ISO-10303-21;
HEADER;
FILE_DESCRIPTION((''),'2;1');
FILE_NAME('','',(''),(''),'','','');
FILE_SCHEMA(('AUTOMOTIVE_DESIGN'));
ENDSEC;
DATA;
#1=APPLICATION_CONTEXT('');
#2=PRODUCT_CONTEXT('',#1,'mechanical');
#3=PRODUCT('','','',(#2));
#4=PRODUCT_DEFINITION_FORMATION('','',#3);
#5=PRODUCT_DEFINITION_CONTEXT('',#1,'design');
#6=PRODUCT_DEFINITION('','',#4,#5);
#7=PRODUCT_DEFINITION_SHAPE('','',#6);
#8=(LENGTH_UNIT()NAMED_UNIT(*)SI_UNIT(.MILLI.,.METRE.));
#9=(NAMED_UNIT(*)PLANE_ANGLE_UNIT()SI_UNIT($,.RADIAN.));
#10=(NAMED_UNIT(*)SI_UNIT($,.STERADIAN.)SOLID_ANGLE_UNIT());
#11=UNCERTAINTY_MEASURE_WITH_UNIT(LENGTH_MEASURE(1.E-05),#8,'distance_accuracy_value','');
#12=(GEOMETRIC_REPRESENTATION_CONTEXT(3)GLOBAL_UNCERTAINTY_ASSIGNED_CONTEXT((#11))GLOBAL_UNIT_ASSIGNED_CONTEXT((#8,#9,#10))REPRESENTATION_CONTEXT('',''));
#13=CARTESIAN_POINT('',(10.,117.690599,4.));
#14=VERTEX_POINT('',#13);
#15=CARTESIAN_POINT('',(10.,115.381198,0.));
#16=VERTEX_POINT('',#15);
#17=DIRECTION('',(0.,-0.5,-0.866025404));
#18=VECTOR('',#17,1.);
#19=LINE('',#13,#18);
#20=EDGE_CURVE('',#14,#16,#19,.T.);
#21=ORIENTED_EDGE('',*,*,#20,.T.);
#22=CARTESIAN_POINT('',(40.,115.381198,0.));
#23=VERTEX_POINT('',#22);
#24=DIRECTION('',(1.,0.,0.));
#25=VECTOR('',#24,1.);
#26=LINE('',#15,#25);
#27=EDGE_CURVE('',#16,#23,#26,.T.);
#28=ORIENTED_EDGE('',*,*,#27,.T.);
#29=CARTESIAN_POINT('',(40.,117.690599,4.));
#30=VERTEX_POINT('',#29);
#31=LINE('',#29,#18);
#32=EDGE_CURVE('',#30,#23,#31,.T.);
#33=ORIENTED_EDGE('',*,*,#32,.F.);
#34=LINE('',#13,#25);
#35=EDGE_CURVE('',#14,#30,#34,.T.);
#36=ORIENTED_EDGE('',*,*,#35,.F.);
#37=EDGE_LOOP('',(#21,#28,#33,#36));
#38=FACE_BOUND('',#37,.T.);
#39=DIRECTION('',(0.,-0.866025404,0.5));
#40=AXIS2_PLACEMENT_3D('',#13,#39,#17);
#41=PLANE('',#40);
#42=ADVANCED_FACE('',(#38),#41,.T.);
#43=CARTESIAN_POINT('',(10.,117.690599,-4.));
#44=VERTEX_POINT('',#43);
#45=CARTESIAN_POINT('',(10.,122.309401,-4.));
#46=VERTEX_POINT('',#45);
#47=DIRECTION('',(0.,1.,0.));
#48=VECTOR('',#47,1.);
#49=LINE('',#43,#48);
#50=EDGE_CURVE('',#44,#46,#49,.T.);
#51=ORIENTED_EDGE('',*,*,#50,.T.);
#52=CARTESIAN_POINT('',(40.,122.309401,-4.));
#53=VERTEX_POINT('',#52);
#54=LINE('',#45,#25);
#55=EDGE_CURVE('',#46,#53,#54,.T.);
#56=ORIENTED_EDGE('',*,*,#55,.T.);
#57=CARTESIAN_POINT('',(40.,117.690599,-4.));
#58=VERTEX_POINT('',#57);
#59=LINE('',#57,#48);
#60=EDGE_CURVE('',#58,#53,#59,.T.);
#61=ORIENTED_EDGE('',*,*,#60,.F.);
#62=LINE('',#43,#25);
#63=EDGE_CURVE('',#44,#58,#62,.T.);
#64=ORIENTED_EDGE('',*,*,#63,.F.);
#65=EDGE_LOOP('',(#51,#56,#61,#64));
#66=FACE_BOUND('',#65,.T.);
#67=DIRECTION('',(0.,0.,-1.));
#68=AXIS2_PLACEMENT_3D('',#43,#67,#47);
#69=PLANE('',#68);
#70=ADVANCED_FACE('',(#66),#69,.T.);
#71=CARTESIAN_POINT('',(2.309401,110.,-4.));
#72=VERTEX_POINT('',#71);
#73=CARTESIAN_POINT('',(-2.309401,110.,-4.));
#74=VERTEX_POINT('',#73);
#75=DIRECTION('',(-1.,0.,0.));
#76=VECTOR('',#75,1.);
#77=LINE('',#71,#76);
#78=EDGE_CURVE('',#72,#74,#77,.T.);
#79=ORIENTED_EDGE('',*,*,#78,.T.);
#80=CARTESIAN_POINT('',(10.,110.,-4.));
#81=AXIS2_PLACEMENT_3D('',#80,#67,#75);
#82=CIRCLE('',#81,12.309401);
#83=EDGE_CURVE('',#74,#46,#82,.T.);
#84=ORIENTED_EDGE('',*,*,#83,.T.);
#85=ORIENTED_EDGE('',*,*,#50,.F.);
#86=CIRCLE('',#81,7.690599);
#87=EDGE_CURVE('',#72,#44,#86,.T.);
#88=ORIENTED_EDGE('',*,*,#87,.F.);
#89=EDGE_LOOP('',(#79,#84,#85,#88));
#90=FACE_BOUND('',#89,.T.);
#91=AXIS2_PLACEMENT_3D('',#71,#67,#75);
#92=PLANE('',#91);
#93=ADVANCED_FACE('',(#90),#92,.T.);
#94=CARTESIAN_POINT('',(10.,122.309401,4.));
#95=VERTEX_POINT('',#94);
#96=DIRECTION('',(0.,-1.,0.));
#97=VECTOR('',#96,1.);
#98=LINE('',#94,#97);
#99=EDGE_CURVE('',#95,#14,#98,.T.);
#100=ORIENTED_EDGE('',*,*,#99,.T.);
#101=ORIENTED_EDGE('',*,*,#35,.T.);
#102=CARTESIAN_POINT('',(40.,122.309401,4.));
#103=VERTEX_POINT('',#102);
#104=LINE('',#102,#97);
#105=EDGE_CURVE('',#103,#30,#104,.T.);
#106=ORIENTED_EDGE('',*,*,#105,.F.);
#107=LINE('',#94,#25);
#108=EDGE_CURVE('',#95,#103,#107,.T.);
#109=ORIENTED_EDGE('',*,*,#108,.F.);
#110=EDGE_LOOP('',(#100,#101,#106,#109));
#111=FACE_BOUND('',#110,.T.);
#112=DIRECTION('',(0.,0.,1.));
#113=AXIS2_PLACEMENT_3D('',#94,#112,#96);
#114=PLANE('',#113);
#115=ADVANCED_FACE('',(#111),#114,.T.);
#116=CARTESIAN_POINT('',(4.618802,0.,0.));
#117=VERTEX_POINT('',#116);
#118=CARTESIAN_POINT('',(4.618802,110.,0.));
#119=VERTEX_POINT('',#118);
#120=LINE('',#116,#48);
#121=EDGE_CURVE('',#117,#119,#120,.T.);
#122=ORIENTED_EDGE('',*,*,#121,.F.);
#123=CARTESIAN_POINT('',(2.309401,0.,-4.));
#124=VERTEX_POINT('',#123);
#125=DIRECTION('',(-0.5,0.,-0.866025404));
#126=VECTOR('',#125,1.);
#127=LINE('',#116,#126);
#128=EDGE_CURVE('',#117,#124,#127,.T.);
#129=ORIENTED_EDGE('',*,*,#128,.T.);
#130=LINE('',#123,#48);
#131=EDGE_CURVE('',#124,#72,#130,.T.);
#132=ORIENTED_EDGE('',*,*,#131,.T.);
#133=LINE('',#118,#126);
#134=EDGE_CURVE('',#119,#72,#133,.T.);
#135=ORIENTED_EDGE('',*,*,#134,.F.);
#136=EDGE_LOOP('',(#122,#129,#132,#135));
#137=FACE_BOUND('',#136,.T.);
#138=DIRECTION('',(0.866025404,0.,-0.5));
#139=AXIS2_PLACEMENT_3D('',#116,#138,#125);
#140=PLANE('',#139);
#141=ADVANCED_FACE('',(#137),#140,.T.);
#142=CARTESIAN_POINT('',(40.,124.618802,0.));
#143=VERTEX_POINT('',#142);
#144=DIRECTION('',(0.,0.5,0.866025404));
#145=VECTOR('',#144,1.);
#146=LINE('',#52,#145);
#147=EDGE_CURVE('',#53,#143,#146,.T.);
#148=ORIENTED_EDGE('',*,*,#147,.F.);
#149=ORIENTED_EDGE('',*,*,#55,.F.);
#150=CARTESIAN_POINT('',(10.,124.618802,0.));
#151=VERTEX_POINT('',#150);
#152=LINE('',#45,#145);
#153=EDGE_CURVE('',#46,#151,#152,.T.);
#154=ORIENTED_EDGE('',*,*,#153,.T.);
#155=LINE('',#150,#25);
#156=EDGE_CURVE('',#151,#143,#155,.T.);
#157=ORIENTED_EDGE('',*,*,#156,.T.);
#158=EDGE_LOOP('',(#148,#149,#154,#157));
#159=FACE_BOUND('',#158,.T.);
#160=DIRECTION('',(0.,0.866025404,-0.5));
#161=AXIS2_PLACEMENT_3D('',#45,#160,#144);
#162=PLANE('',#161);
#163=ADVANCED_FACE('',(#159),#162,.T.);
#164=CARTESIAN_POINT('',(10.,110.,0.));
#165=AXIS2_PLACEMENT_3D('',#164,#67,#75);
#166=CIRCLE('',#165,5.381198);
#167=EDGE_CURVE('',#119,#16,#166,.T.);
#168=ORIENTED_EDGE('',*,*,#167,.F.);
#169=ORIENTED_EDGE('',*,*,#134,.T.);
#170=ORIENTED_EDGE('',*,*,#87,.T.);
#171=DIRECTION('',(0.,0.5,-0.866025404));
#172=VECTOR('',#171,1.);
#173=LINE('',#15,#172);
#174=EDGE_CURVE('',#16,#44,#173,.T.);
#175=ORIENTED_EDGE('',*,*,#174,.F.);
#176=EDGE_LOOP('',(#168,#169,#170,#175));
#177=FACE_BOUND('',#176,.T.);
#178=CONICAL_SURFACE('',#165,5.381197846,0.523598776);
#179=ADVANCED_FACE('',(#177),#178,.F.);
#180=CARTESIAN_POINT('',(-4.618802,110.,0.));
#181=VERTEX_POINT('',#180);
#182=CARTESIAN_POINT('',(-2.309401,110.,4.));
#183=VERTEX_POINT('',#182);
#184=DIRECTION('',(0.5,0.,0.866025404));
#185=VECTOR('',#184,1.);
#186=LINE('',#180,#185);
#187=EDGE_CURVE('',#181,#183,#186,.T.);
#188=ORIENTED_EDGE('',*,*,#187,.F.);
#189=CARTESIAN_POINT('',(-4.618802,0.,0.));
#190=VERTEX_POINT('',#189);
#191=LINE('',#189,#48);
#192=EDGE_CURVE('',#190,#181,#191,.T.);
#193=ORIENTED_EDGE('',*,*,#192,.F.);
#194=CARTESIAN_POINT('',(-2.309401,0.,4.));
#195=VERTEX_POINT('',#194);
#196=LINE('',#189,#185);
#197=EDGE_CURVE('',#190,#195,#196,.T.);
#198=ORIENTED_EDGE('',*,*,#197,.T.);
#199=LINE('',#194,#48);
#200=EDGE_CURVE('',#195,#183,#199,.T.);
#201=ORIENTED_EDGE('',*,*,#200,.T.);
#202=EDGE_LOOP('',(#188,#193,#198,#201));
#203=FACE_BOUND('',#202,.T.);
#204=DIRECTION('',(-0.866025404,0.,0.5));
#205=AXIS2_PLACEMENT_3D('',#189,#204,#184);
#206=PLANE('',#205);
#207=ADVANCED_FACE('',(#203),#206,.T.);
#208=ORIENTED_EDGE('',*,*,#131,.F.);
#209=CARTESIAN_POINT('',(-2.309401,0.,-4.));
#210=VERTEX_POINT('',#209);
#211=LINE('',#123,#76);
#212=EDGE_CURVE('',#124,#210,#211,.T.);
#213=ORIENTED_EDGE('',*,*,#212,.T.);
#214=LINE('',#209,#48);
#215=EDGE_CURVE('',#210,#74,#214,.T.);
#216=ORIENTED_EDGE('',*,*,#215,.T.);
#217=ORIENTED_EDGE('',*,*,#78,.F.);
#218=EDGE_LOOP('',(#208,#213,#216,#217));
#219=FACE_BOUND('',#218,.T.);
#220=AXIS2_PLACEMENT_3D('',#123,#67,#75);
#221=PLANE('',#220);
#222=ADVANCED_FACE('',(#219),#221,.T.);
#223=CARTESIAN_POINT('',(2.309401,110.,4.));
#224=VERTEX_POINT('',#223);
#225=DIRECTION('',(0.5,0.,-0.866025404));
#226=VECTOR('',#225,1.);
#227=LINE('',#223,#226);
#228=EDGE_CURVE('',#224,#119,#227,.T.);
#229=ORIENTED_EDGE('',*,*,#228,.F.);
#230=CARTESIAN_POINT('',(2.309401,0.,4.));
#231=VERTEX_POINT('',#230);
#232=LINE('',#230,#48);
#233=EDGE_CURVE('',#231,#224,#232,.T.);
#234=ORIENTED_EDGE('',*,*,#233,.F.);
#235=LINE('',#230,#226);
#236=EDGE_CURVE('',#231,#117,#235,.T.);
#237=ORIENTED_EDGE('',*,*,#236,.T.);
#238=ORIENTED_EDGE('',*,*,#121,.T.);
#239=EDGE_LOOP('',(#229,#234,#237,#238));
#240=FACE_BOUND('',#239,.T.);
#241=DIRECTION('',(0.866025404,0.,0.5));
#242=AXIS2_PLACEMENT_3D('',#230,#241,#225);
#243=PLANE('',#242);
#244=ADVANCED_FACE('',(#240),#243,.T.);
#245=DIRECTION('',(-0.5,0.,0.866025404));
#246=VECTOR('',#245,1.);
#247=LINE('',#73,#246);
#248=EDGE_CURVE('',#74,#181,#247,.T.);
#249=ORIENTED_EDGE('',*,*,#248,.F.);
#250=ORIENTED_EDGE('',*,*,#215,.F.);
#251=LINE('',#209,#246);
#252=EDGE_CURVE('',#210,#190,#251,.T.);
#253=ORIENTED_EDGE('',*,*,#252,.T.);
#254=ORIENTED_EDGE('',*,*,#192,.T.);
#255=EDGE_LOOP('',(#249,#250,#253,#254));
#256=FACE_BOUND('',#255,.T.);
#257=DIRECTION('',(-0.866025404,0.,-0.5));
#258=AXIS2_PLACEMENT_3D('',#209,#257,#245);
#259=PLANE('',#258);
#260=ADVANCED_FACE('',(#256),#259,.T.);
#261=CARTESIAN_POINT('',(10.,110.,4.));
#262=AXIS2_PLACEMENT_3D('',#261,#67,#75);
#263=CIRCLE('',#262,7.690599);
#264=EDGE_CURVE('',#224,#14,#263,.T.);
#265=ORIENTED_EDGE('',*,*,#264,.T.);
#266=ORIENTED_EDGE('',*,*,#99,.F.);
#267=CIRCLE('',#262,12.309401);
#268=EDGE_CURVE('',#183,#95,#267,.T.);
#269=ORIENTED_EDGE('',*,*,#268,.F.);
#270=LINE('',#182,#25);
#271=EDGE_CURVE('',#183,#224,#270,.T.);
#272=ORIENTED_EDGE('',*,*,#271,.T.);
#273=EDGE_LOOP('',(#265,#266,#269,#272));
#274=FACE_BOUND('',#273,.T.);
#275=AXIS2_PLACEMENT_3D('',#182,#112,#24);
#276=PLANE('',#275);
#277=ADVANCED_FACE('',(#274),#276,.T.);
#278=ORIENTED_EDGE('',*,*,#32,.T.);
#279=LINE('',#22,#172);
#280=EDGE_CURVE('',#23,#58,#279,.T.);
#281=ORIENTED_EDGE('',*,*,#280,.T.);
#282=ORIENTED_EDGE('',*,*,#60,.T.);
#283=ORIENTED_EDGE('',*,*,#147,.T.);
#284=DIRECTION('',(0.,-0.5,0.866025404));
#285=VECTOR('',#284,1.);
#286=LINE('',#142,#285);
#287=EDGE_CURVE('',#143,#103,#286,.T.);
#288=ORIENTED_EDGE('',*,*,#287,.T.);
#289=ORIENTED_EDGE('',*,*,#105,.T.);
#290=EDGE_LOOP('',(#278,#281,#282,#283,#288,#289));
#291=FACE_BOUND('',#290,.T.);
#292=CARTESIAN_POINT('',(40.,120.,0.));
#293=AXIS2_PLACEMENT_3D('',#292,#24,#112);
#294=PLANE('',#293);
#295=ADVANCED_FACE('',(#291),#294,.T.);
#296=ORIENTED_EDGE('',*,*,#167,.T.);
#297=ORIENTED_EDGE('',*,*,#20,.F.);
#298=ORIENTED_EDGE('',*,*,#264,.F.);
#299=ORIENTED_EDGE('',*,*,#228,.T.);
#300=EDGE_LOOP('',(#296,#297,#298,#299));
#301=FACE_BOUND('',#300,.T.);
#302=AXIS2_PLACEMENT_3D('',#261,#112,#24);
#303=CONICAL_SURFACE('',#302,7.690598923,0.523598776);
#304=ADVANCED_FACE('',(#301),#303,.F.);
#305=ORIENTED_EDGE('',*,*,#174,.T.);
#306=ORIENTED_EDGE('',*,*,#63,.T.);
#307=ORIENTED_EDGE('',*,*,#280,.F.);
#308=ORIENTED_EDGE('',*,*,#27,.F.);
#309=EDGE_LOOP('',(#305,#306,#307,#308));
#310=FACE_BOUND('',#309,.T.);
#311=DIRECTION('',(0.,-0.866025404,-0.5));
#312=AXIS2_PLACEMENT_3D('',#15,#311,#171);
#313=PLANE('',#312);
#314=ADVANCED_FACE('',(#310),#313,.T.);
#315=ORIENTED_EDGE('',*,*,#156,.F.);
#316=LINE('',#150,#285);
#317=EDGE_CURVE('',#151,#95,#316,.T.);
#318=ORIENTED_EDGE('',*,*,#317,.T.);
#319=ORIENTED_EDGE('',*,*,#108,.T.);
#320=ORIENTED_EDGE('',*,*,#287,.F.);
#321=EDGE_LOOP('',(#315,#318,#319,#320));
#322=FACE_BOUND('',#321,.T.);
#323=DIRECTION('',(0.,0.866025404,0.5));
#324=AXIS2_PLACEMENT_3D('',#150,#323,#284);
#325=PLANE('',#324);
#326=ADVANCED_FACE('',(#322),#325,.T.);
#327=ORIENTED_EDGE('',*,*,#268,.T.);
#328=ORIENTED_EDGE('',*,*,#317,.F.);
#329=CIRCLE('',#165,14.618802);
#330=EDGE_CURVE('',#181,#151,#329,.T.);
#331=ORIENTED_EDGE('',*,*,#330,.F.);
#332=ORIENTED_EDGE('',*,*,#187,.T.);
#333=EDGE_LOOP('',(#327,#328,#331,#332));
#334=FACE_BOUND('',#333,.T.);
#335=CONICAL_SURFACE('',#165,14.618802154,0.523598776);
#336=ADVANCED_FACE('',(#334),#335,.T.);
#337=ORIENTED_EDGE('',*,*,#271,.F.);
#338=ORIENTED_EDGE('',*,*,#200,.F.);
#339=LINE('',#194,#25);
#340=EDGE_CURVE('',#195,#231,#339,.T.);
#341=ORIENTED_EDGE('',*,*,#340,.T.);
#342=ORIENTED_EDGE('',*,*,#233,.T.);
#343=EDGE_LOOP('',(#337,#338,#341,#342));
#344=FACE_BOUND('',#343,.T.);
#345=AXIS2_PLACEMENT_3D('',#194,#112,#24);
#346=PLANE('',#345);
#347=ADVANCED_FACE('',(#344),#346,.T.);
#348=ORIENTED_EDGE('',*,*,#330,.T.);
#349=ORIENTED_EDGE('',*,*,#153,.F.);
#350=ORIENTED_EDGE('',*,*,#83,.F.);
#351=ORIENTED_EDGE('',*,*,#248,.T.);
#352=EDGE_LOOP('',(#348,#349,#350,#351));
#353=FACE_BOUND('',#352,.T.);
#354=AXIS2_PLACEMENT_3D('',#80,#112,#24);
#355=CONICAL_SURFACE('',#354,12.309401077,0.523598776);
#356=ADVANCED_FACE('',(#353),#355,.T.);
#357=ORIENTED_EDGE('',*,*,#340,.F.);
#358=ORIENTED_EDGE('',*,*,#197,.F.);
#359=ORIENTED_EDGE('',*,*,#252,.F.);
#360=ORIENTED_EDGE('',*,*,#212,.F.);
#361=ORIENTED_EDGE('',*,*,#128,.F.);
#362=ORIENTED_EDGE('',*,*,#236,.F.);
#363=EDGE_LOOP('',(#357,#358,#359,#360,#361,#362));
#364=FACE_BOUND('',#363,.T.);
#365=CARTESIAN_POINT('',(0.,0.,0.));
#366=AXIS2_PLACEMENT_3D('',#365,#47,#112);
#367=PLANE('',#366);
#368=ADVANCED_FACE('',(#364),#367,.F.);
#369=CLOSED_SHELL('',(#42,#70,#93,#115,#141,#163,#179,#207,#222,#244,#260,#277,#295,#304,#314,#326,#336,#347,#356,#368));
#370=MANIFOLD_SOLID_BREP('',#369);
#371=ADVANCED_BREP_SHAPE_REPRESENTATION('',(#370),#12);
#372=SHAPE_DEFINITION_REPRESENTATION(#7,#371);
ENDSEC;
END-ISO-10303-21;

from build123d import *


with BuildPart() as part:
    # Sweep1: sweep along a path in Sketch1
    with BuildLine(Plane.XY) as sweep1_path:
        Line((0, 0), (0, 110))
        ThreePointArc((0, 110), (2.928932188, 117.071067812), (10, 120))
        Line((10, 120), (40, 120))
    # Sketch2 → Sweep1 (sweep)
    with BuildSketch(Plane(origin=(0, 0, 0), x_dir=(1, 0, 0), z_dir=(0, 1, 0))):
        Polygon((4.618802154, 0), (2.309401077, 4), (-2.309401077, 4), (-4.618802154, 0), (-2.309401077, -4), (2.309401077, -4), align=None)
    sweep(path=sweep1_path.line)


solid = part.part
